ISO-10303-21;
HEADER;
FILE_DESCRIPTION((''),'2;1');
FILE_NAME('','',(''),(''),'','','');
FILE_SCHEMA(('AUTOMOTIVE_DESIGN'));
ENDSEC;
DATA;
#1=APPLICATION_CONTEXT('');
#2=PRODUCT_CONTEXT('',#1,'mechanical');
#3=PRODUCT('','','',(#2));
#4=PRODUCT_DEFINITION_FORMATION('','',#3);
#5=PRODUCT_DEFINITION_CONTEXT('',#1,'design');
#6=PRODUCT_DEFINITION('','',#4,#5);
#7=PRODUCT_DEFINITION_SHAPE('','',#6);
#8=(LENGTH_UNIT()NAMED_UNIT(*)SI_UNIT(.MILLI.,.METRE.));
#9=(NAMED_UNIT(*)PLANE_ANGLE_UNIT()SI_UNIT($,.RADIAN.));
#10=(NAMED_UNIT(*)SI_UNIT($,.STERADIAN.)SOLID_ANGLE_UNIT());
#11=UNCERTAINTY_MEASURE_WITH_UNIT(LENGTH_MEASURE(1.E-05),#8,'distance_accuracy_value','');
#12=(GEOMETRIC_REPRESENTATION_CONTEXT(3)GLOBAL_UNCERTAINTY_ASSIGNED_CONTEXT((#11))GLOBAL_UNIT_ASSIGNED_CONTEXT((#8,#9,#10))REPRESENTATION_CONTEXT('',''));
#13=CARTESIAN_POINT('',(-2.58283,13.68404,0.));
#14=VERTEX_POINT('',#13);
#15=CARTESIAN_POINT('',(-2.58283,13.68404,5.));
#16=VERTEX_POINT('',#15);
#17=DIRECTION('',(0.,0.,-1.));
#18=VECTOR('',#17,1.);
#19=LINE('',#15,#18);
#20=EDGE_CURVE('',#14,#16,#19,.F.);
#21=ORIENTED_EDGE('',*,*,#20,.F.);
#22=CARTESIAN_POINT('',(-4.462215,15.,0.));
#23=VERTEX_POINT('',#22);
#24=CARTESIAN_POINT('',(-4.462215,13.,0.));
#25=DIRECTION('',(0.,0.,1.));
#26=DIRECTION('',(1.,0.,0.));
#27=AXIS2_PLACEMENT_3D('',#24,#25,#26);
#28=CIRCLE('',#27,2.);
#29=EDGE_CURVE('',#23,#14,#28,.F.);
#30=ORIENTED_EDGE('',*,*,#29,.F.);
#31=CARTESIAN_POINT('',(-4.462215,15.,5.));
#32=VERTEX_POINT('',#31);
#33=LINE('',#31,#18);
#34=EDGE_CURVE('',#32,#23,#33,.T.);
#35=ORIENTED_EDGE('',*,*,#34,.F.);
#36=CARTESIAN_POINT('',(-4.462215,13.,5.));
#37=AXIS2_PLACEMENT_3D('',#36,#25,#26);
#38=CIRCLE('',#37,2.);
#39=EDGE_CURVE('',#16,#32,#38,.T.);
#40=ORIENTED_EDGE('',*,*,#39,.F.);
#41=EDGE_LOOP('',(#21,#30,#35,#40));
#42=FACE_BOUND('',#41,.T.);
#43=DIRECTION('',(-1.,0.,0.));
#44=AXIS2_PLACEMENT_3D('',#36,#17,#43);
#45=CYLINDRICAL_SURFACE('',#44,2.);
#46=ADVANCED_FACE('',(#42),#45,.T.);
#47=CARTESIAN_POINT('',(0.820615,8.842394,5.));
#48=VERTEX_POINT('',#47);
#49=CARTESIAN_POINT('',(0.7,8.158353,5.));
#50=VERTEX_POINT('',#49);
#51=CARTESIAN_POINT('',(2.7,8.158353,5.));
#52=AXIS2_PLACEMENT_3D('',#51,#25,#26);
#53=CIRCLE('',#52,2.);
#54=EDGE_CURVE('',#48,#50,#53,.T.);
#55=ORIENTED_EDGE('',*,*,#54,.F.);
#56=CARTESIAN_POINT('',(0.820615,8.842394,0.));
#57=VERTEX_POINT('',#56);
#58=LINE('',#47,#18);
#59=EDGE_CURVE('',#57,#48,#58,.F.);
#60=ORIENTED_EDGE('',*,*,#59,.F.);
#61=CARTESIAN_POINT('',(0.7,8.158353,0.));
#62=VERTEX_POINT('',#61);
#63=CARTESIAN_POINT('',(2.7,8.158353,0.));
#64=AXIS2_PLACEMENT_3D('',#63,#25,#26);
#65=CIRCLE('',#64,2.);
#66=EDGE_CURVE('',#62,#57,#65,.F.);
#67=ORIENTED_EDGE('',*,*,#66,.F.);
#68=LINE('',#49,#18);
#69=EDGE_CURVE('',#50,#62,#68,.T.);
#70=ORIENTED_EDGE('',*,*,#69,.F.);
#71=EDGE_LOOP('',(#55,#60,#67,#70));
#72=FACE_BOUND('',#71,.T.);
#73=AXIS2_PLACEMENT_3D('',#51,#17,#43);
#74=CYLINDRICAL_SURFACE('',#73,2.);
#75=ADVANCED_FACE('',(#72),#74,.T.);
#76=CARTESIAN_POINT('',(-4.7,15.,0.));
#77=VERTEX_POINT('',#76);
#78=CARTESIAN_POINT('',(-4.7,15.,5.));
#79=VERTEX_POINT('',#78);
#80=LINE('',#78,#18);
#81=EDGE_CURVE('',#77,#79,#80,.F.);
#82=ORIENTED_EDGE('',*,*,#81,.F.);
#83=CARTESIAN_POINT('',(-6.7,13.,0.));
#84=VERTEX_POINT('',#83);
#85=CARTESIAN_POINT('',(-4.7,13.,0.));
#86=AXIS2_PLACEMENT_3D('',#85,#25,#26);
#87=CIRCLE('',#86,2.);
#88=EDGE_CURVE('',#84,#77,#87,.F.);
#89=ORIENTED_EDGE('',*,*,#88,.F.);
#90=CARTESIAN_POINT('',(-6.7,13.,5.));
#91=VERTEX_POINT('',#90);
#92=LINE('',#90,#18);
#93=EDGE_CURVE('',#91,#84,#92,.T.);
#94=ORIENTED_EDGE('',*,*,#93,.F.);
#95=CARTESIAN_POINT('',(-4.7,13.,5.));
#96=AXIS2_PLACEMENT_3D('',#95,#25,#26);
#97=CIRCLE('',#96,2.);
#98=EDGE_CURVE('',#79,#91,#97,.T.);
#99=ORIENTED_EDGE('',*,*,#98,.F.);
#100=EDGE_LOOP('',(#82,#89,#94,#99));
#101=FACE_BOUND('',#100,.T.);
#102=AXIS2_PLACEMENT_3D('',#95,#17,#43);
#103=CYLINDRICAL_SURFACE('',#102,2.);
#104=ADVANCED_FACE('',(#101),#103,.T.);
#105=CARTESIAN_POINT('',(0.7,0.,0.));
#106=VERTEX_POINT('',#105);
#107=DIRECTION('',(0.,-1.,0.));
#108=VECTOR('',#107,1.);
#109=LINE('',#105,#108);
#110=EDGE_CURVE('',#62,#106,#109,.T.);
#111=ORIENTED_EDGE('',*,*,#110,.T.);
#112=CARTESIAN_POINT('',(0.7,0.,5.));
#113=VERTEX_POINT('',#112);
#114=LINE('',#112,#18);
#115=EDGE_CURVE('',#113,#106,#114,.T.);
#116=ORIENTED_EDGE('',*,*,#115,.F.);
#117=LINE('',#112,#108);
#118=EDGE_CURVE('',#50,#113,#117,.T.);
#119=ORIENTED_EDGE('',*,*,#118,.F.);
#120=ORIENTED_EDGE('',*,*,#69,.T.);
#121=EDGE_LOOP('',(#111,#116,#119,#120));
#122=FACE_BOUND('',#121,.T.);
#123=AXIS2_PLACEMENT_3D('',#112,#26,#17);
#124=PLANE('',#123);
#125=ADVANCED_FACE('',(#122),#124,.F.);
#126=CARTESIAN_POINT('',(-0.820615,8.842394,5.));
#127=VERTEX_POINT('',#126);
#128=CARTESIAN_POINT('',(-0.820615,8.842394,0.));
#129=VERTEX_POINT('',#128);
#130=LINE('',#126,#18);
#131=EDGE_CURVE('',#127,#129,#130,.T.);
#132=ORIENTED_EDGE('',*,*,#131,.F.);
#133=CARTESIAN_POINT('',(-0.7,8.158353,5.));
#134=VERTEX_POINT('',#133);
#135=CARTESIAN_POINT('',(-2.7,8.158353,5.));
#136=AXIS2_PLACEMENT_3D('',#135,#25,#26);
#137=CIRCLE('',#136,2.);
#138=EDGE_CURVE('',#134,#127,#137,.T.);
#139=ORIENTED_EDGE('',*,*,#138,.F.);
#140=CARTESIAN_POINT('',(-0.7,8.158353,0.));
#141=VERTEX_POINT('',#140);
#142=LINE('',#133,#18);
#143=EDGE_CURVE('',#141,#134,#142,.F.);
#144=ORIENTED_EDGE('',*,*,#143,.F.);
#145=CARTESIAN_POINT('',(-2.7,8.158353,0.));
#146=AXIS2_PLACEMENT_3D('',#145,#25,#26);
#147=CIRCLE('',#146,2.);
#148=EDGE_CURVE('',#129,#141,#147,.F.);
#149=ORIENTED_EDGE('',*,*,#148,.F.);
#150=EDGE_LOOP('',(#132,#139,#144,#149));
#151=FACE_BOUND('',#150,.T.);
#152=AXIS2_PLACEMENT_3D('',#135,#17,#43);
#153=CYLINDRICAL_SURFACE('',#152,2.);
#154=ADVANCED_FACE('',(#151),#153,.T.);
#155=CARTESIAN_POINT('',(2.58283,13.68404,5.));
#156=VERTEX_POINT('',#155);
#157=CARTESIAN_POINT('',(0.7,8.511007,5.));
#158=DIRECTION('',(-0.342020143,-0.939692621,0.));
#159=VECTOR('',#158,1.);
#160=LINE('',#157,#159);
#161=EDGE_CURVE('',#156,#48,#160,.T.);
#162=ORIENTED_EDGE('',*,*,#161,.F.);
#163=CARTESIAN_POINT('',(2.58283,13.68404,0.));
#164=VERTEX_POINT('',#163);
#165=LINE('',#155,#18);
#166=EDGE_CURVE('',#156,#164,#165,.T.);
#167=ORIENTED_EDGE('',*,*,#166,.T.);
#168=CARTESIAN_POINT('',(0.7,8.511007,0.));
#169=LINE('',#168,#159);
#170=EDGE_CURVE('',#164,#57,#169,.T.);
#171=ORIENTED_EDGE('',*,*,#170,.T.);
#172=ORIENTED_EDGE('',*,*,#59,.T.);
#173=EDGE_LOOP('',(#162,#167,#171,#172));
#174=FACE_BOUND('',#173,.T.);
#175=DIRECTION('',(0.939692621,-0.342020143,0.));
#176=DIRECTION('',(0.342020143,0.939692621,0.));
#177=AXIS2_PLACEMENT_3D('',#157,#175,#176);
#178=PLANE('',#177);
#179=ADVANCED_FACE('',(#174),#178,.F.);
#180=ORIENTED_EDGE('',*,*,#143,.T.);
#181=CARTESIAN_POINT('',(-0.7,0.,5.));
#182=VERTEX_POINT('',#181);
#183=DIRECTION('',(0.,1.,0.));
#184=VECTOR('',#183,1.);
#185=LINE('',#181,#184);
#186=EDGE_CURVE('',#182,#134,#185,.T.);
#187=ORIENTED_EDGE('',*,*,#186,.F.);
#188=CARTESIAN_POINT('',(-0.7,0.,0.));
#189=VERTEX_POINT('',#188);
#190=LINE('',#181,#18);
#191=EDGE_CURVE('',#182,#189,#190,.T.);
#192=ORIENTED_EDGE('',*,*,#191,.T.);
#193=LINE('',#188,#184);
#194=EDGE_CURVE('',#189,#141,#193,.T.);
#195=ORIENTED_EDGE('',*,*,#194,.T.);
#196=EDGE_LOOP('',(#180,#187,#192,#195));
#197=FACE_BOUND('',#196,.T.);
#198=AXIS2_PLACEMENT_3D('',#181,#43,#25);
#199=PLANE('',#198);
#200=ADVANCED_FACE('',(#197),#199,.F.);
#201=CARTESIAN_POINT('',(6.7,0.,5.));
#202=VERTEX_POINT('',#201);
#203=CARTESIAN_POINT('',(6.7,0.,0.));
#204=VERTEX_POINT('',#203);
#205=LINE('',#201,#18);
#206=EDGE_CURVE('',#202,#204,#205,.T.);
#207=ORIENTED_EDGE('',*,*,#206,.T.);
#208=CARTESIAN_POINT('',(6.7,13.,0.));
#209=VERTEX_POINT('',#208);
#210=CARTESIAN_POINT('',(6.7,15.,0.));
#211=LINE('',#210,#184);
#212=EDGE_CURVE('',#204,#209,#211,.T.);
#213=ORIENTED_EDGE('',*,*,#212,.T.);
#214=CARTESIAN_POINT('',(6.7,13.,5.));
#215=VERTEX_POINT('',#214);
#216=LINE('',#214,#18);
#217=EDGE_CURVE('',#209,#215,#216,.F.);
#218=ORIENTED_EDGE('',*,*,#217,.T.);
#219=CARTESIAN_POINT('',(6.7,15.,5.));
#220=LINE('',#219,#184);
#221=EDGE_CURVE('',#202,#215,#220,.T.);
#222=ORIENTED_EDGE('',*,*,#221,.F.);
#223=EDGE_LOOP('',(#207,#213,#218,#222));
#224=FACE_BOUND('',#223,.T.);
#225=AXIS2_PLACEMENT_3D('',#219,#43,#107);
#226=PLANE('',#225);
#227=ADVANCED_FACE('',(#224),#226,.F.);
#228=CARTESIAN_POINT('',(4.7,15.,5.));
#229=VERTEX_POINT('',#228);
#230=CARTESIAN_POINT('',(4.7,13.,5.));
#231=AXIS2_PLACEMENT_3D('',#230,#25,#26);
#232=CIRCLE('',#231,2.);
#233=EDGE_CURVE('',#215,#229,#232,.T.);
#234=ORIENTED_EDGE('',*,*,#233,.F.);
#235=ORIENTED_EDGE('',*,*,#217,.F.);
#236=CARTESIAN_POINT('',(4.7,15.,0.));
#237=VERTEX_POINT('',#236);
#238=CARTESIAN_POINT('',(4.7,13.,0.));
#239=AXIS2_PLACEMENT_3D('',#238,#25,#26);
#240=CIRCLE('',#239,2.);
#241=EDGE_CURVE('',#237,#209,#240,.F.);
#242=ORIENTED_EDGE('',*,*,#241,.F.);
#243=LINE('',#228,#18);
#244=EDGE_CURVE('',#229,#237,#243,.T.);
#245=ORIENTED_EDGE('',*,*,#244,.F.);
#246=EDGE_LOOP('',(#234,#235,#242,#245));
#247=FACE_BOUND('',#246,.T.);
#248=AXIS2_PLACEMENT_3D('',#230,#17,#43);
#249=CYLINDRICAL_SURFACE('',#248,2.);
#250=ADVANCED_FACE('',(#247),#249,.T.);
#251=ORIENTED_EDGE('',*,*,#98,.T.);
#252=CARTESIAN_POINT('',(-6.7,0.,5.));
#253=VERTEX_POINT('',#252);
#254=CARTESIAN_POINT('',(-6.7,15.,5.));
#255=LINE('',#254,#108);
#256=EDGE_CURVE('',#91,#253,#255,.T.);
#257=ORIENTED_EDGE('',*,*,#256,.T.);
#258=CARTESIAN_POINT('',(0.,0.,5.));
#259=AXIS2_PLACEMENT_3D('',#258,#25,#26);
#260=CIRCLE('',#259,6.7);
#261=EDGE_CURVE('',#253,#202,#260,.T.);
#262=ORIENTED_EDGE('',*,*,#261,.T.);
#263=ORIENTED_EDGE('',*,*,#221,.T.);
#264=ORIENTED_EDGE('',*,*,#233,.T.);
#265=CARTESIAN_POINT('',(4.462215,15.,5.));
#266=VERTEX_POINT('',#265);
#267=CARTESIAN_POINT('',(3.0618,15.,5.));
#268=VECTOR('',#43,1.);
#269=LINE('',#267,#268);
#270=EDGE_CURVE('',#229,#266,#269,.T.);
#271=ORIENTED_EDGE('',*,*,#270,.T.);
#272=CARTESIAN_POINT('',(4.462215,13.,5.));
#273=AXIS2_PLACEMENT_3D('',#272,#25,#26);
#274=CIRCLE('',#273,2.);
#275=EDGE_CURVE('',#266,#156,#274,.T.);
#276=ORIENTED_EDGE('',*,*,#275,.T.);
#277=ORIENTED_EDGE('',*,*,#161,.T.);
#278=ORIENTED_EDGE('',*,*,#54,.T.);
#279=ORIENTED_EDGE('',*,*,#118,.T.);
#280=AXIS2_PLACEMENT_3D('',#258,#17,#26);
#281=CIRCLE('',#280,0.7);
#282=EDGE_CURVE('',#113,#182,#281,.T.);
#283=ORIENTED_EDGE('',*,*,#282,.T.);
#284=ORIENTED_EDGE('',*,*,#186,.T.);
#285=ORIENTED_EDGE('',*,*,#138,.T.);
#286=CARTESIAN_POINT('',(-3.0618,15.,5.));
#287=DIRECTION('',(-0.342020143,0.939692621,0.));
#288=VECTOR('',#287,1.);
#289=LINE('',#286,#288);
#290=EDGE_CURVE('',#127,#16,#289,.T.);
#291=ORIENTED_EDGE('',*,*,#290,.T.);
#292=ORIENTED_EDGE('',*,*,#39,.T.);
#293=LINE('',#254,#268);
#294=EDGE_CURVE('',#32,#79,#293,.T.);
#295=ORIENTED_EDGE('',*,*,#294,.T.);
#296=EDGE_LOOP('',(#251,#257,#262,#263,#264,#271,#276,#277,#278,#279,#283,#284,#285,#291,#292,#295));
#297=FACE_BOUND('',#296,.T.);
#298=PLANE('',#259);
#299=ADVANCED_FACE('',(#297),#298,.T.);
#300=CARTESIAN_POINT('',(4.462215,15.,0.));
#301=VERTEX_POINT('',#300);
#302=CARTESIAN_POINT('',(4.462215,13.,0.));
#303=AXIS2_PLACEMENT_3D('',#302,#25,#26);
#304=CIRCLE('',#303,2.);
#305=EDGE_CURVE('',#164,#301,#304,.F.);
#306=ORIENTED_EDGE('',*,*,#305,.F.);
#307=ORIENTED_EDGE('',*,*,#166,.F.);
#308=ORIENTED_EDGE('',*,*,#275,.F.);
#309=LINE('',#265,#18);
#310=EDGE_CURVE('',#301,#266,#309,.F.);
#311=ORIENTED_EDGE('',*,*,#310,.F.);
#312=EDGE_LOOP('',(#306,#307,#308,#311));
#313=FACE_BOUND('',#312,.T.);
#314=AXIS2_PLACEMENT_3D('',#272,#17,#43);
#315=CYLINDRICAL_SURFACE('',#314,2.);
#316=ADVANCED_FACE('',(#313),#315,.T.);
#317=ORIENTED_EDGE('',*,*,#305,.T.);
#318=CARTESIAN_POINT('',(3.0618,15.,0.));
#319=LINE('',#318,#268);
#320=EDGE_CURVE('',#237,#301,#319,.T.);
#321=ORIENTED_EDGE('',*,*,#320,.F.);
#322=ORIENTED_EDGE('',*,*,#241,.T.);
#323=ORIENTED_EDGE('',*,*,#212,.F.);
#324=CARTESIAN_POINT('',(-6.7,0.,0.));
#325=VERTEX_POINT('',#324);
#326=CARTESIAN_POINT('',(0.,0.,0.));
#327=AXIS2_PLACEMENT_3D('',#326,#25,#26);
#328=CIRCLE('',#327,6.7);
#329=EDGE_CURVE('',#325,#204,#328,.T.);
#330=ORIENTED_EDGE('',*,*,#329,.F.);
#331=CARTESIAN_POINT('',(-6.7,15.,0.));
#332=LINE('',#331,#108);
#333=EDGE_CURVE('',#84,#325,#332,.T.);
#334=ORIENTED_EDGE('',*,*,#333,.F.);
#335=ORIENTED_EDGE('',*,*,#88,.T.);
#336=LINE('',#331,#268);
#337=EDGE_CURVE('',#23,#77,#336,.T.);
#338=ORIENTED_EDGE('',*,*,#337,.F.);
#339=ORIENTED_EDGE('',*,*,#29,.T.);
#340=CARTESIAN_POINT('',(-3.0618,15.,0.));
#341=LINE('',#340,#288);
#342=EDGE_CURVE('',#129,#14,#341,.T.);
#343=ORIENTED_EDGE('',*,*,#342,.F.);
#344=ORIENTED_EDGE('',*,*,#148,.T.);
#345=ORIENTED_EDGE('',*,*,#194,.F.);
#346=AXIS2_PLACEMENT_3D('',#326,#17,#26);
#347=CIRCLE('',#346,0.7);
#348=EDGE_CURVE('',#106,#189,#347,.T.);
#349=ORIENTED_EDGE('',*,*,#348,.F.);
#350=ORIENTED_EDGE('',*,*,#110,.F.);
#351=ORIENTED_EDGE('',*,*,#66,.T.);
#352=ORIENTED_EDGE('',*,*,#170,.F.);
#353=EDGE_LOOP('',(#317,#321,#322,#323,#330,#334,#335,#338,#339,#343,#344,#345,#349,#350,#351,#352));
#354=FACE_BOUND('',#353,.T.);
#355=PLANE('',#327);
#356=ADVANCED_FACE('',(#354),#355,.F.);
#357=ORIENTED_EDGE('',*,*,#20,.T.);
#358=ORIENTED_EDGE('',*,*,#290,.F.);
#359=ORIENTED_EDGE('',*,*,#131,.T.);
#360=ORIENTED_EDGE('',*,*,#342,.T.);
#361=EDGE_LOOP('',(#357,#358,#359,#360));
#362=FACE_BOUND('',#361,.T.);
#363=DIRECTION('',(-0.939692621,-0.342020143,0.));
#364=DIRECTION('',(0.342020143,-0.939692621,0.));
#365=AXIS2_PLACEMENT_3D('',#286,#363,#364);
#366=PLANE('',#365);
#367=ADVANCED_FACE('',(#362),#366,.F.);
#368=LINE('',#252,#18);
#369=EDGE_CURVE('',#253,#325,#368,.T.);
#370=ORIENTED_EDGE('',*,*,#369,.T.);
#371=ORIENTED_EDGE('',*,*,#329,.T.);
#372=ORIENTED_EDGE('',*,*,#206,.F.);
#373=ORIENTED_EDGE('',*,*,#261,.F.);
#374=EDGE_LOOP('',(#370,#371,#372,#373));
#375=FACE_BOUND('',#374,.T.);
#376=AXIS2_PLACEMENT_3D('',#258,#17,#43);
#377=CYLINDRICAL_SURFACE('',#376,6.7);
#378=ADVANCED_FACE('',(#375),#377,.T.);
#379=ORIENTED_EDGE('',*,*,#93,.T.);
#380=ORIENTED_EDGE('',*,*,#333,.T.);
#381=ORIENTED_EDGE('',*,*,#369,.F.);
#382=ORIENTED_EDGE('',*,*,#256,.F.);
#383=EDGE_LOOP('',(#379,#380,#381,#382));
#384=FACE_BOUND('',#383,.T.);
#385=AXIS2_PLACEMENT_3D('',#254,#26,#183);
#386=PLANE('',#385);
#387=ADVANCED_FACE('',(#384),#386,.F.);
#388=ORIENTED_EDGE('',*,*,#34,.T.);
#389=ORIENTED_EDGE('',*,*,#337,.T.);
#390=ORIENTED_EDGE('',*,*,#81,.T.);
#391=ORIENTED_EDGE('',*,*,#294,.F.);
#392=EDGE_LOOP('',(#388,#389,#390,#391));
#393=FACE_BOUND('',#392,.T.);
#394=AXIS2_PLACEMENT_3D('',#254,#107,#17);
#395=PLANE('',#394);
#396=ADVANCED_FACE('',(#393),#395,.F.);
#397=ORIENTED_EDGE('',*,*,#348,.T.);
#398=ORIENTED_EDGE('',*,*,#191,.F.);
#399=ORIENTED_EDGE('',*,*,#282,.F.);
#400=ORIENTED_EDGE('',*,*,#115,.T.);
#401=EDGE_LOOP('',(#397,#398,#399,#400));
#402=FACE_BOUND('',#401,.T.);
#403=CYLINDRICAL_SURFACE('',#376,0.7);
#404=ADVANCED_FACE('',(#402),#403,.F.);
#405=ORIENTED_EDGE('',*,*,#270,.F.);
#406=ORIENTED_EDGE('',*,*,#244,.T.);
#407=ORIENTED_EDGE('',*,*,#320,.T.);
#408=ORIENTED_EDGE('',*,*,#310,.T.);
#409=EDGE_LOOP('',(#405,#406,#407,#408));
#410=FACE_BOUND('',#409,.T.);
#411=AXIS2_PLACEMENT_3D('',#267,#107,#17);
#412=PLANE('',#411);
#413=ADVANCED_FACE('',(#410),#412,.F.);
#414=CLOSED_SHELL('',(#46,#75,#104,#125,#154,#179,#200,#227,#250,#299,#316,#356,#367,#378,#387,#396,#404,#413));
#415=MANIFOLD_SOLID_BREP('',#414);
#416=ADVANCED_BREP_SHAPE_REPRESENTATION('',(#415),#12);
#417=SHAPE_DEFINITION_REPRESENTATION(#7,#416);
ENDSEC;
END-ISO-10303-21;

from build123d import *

# Parameters (mm, degrees)
BOSS_EXTRUDE1_DEPTH = 5
FILLET2_R           = 2


with BuildPart() as part:
    # Sketch1 → Boss-Extrude1 (new body)
    with BuildSketch(Plane.XY):
        with BuildLine():
            Line((-0.7, 0), (-0.7, 8.511007364))
            Line((-0.7, 8.511007364), (-3.06180017, 15))
            Line((-3.06180017, 15), (-6.7, 15))
            Line((-6.7, 15), (-6.7, 0))
            ThreePointArc((-6.7, 0), (0, -6.7), (6.7, 0))
            Line((6.7, 0), (6.7, 15))
            Line((6.7, 15), (3.06180017, 15))
            Line((3.06180017, 15), (0.7, 8.511007364))
            Line((0.7, 8.511007364), (0.7, 0))
            ThreePointArc((0.7, 0), (0, -0.7), (-0.7, 0))
        make_face()
    extrude(amount=BOSS_EXTRUDE1_DEPTH)

    # Fillet2
    fillet2_edges = [part.edges().sort_by_distance(p)[0] for p in [
        (3.06180017, 15, 2.5),
        (6.7, 15, 2.5),
        (-6.7, 15, 2.5),
        (-3.06180017, 15, 2.5),
        (-0.7, 8.511007364, 2.5),
        (0.7, 8.511007364, 2.5),
    ]]
    fillet(fillet2_edges, radius=FILLET2_R)


solid = part.part
